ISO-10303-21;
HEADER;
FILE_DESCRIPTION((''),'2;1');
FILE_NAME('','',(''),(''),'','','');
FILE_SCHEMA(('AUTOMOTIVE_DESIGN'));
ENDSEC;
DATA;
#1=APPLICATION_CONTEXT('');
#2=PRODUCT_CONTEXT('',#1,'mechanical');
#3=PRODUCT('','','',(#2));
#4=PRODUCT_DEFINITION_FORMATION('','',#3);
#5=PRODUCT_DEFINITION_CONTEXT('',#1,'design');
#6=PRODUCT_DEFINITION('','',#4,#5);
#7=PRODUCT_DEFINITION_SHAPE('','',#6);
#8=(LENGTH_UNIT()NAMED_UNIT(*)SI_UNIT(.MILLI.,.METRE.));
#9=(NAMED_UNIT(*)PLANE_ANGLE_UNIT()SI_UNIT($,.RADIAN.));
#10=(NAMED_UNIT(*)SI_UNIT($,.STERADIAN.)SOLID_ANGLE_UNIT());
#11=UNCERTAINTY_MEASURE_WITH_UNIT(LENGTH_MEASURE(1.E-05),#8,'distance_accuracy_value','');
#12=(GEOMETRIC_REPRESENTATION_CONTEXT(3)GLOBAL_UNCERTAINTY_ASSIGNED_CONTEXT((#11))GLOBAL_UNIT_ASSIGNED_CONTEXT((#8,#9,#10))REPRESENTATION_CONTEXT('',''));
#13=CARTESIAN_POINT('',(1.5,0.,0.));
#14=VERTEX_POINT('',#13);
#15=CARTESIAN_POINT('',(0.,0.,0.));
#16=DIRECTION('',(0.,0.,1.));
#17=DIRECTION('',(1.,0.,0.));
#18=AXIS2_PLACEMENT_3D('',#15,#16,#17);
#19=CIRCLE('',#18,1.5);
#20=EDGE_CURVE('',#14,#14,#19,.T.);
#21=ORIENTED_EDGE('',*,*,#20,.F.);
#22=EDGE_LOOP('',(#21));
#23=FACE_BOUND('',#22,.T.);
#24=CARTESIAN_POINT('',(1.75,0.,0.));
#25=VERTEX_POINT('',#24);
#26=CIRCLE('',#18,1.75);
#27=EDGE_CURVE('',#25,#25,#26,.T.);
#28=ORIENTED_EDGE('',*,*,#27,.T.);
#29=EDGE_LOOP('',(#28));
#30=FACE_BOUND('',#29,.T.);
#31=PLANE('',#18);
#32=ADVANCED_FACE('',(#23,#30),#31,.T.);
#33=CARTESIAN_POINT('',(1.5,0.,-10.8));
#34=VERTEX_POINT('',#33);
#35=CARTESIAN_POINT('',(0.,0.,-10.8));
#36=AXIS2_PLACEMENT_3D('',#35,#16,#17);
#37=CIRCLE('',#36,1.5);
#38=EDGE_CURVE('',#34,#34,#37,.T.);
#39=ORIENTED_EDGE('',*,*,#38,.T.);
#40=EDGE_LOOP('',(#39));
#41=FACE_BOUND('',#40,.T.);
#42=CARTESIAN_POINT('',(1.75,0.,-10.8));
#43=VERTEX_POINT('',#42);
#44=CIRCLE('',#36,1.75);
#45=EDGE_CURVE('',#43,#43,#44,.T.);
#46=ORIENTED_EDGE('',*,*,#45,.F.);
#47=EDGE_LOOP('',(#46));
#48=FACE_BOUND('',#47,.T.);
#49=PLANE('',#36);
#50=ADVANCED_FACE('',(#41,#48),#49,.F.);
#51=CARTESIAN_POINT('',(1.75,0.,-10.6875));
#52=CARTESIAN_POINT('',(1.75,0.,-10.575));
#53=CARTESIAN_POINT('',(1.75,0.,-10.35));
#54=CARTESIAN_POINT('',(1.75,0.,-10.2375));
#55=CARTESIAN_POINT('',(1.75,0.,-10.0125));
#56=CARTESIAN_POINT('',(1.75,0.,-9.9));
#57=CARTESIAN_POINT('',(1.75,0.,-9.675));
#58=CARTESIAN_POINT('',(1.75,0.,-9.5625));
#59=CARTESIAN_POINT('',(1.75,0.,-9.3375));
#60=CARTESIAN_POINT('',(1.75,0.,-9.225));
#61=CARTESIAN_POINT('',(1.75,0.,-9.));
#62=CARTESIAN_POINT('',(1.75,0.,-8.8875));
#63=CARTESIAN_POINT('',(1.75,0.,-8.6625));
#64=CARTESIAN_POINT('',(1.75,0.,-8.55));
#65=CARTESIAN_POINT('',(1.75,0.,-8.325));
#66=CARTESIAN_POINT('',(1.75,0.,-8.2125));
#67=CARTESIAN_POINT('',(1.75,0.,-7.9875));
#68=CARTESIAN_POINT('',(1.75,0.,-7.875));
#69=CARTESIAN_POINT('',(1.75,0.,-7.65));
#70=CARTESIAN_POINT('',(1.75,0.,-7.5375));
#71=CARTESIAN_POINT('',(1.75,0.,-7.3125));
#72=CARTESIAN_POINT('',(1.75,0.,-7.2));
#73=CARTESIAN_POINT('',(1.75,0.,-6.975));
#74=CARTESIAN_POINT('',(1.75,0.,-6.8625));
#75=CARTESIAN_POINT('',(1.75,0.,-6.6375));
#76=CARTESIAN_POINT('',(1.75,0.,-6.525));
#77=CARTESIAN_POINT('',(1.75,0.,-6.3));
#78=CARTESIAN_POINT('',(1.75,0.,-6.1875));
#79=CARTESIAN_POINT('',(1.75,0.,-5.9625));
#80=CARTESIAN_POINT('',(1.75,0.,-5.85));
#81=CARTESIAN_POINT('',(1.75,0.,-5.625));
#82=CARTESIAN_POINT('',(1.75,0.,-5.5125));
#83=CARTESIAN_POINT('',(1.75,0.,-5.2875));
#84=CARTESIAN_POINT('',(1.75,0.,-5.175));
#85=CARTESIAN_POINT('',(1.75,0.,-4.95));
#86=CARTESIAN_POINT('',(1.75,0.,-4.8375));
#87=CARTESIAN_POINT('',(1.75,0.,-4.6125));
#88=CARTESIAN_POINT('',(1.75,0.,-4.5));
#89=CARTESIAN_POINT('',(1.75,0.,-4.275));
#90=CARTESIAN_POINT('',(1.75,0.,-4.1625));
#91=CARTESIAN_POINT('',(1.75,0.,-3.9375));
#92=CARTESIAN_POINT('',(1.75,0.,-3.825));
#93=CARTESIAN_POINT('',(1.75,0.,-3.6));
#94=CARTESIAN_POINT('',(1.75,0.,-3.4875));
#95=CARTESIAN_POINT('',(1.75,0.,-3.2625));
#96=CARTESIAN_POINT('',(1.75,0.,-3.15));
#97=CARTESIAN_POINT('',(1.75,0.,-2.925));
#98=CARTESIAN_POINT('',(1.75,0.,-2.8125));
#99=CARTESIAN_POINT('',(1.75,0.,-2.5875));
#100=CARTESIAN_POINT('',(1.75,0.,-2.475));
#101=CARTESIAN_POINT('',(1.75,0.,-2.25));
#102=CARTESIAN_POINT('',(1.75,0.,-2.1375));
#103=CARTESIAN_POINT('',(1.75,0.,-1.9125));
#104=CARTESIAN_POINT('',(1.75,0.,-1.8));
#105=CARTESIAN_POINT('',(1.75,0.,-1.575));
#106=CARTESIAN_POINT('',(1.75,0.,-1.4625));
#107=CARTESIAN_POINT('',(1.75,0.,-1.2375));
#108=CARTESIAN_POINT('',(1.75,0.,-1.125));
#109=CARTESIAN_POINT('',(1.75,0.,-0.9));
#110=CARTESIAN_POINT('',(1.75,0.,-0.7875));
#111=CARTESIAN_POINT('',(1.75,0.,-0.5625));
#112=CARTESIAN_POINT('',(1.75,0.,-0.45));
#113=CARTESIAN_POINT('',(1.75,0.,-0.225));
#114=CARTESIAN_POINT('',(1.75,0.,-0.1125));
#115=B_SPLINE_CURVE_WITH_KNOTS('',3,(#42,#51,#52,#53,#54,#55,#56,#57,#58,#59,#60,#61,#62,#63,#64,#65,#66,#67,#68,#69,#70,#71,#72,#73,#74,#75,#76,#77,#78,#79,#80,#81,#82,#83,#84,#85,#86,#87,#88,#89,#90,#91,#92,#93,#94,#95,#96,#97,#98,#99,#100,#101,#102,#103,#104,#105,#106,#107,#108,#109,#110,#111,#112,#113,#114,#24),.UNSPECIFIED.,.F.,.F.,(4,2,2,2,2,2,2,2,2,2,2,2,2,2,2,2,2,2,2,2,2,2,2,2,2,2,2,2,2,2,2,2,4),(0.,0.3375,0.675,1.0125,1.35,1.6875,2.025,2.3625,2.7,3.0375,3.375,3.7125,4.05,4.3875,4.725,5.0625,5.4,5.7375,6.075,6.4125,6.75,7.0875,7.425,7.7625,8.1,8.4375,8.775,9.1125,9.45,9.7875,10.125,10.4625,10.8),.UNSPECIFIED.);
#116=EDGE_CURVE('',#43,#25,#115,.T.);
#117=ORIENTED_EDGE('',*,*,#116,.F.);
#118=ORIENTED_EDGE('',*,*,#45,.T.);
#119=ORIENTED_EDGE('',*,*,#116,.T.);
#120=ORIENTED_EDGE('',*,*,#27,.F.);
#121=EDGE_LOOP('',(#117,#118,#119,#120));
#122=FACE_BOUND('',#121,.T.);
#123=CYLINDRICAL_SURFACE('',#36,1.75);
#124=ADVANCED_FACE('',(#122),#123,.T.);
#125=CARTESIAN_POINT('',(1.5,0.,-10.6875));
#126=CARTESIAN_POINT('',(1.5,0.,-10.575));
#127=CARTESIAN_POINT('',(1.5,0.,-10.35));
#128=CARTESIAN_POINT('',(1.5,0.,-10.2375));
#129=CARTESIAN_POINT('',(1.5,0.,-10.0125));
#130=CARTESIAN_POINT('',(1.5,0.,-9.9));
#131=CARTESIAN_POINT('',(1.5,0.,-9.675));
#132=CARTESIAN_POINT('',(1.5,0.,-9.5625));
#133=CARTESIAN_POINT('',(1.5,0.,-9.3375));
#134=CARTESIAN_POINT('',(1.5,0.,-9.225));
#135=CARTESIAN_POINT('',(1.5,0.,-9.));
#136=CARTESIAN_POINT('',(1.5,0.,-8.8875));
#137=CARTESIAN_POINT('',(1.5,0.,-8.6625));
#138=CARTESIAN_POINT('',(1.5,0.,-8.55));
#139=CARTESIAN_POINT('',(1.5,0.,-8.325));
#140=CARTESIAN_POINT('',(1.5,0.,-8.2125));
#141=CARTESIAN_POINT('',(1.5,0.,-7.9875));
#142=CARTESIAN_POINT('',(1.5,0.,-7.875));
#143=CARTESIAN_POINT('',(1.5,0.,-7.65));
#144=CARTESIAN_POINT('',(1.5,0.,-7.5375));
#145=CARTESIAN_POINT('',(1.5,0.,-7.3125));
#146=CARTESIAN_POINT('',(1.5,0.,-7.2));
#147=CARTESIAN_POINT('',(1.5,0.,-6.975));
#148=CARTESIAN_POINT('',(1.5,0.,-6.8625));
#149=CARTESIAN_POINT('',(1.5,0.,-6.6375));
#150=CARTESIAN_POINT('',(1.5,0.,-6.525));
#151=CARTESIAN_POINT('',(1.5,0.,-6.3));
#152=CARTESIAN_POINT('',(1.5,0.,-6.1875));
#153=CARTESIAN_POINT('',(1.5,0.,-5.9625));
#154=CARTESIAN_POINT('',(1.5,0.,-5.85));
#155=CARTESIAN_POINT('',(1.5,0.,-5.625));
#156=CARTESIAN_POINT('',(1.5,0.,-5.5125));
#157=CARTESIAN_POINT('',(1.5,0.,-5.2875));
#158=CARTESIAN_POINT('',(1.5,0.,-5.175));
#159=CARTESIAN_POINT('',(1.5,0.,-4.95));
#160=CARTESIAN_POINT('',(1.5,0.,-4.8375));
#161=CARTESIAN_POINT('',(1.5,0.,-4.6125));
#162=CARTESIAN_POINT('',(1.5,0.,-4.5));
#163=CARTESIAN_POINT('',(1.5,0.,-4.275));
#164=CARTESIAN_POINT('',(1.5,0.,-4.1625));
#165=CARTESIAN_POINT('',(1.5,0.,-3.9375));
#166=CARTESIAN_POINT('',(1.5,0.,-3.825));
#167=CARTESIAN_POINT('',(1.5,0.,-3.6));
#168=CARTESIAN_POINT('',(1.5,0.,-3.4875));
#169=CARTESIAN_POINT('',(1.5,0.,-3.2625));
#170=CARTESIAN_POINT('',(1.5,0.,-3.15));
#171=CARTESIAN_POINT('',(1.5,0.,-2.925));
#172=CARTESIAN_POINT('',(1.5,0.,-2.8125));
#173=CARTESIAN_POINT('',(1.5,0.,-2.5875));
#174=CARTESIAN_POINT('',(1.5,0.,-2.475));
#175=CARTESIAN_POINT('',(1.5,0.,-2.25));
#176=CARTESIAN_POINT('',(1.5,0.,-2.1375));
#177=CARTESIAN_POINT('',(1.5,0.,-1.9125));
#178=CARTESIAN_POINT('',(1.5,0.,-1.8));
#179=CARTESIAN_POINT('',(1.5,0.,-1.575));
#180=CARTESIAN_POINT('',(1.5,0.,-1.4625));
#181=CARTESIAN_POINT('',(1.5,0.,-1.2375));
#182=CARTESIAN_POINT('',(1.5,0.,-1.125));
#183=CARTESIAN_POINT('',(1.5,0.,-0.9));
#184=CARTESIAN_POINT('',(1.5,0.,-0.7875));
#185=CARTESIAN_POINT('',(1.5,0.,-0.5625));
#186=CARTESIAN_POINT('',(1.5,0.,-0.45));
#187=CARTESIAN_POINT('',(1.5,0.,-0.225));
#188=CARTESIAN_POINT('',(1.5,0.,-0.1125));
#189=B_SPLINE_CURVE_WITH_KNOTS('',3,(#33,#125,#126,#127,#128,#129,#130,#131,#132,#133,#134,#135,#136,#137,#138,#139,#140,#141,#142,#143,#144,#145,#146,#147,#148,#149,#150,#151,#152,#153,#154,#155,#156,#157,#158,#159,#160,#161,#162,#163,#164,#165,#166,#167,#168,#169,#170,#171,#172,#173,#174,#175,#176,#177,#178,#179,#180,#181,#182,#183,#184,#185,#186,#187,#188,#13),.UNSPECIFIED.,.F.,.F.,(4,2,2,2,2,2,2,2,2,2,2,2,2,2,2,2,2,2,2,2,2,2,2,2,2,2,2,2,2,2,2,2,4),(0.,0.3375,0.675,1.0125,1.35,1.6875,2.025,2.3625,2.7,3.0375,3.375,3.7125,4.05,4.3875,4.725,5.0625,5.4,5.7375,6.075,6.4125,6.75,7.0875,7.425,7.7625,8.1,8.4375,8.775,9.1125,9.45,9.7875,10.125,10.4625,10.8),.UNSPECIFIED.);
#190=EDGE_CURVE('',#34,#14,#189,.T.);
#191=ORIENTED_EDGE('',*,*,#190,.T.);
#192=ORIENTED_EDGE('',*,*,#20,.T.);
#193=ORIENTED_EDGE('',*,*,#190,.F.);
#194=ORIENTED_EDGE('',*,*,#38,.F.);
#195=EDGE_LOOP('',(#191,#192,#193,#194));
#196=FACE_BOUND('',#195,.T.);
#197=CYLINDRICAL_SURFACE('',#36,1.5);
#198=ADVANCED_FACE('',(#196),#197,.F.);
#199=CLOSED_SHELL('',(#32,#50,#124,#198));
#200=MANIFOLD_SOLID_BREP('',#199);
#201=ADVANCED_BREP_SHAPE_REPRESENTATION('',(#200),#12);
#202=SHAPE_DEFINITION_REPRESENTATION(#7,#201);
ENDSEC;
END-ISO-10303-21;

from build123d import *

# Parameters (mm, degrees)
ESQUISSE1_R          = 1.75
ESQUISSE1_R_2        = 1.5
BASE_EXTRUSION_DEPTH = 10.8


with BuildPart() as part:
    # Esquisse1 → Base-Extrusion (new body)
    with BuildSketch(Plane.XY):
        Circle(ESQUISSE1_R)
        Circle(ESQUISSE1_R_2, mode=Mode.SUBTRACT)
    extrude(amount=-BASE_EXTRUSION_DEPTH)


solid = part.part
